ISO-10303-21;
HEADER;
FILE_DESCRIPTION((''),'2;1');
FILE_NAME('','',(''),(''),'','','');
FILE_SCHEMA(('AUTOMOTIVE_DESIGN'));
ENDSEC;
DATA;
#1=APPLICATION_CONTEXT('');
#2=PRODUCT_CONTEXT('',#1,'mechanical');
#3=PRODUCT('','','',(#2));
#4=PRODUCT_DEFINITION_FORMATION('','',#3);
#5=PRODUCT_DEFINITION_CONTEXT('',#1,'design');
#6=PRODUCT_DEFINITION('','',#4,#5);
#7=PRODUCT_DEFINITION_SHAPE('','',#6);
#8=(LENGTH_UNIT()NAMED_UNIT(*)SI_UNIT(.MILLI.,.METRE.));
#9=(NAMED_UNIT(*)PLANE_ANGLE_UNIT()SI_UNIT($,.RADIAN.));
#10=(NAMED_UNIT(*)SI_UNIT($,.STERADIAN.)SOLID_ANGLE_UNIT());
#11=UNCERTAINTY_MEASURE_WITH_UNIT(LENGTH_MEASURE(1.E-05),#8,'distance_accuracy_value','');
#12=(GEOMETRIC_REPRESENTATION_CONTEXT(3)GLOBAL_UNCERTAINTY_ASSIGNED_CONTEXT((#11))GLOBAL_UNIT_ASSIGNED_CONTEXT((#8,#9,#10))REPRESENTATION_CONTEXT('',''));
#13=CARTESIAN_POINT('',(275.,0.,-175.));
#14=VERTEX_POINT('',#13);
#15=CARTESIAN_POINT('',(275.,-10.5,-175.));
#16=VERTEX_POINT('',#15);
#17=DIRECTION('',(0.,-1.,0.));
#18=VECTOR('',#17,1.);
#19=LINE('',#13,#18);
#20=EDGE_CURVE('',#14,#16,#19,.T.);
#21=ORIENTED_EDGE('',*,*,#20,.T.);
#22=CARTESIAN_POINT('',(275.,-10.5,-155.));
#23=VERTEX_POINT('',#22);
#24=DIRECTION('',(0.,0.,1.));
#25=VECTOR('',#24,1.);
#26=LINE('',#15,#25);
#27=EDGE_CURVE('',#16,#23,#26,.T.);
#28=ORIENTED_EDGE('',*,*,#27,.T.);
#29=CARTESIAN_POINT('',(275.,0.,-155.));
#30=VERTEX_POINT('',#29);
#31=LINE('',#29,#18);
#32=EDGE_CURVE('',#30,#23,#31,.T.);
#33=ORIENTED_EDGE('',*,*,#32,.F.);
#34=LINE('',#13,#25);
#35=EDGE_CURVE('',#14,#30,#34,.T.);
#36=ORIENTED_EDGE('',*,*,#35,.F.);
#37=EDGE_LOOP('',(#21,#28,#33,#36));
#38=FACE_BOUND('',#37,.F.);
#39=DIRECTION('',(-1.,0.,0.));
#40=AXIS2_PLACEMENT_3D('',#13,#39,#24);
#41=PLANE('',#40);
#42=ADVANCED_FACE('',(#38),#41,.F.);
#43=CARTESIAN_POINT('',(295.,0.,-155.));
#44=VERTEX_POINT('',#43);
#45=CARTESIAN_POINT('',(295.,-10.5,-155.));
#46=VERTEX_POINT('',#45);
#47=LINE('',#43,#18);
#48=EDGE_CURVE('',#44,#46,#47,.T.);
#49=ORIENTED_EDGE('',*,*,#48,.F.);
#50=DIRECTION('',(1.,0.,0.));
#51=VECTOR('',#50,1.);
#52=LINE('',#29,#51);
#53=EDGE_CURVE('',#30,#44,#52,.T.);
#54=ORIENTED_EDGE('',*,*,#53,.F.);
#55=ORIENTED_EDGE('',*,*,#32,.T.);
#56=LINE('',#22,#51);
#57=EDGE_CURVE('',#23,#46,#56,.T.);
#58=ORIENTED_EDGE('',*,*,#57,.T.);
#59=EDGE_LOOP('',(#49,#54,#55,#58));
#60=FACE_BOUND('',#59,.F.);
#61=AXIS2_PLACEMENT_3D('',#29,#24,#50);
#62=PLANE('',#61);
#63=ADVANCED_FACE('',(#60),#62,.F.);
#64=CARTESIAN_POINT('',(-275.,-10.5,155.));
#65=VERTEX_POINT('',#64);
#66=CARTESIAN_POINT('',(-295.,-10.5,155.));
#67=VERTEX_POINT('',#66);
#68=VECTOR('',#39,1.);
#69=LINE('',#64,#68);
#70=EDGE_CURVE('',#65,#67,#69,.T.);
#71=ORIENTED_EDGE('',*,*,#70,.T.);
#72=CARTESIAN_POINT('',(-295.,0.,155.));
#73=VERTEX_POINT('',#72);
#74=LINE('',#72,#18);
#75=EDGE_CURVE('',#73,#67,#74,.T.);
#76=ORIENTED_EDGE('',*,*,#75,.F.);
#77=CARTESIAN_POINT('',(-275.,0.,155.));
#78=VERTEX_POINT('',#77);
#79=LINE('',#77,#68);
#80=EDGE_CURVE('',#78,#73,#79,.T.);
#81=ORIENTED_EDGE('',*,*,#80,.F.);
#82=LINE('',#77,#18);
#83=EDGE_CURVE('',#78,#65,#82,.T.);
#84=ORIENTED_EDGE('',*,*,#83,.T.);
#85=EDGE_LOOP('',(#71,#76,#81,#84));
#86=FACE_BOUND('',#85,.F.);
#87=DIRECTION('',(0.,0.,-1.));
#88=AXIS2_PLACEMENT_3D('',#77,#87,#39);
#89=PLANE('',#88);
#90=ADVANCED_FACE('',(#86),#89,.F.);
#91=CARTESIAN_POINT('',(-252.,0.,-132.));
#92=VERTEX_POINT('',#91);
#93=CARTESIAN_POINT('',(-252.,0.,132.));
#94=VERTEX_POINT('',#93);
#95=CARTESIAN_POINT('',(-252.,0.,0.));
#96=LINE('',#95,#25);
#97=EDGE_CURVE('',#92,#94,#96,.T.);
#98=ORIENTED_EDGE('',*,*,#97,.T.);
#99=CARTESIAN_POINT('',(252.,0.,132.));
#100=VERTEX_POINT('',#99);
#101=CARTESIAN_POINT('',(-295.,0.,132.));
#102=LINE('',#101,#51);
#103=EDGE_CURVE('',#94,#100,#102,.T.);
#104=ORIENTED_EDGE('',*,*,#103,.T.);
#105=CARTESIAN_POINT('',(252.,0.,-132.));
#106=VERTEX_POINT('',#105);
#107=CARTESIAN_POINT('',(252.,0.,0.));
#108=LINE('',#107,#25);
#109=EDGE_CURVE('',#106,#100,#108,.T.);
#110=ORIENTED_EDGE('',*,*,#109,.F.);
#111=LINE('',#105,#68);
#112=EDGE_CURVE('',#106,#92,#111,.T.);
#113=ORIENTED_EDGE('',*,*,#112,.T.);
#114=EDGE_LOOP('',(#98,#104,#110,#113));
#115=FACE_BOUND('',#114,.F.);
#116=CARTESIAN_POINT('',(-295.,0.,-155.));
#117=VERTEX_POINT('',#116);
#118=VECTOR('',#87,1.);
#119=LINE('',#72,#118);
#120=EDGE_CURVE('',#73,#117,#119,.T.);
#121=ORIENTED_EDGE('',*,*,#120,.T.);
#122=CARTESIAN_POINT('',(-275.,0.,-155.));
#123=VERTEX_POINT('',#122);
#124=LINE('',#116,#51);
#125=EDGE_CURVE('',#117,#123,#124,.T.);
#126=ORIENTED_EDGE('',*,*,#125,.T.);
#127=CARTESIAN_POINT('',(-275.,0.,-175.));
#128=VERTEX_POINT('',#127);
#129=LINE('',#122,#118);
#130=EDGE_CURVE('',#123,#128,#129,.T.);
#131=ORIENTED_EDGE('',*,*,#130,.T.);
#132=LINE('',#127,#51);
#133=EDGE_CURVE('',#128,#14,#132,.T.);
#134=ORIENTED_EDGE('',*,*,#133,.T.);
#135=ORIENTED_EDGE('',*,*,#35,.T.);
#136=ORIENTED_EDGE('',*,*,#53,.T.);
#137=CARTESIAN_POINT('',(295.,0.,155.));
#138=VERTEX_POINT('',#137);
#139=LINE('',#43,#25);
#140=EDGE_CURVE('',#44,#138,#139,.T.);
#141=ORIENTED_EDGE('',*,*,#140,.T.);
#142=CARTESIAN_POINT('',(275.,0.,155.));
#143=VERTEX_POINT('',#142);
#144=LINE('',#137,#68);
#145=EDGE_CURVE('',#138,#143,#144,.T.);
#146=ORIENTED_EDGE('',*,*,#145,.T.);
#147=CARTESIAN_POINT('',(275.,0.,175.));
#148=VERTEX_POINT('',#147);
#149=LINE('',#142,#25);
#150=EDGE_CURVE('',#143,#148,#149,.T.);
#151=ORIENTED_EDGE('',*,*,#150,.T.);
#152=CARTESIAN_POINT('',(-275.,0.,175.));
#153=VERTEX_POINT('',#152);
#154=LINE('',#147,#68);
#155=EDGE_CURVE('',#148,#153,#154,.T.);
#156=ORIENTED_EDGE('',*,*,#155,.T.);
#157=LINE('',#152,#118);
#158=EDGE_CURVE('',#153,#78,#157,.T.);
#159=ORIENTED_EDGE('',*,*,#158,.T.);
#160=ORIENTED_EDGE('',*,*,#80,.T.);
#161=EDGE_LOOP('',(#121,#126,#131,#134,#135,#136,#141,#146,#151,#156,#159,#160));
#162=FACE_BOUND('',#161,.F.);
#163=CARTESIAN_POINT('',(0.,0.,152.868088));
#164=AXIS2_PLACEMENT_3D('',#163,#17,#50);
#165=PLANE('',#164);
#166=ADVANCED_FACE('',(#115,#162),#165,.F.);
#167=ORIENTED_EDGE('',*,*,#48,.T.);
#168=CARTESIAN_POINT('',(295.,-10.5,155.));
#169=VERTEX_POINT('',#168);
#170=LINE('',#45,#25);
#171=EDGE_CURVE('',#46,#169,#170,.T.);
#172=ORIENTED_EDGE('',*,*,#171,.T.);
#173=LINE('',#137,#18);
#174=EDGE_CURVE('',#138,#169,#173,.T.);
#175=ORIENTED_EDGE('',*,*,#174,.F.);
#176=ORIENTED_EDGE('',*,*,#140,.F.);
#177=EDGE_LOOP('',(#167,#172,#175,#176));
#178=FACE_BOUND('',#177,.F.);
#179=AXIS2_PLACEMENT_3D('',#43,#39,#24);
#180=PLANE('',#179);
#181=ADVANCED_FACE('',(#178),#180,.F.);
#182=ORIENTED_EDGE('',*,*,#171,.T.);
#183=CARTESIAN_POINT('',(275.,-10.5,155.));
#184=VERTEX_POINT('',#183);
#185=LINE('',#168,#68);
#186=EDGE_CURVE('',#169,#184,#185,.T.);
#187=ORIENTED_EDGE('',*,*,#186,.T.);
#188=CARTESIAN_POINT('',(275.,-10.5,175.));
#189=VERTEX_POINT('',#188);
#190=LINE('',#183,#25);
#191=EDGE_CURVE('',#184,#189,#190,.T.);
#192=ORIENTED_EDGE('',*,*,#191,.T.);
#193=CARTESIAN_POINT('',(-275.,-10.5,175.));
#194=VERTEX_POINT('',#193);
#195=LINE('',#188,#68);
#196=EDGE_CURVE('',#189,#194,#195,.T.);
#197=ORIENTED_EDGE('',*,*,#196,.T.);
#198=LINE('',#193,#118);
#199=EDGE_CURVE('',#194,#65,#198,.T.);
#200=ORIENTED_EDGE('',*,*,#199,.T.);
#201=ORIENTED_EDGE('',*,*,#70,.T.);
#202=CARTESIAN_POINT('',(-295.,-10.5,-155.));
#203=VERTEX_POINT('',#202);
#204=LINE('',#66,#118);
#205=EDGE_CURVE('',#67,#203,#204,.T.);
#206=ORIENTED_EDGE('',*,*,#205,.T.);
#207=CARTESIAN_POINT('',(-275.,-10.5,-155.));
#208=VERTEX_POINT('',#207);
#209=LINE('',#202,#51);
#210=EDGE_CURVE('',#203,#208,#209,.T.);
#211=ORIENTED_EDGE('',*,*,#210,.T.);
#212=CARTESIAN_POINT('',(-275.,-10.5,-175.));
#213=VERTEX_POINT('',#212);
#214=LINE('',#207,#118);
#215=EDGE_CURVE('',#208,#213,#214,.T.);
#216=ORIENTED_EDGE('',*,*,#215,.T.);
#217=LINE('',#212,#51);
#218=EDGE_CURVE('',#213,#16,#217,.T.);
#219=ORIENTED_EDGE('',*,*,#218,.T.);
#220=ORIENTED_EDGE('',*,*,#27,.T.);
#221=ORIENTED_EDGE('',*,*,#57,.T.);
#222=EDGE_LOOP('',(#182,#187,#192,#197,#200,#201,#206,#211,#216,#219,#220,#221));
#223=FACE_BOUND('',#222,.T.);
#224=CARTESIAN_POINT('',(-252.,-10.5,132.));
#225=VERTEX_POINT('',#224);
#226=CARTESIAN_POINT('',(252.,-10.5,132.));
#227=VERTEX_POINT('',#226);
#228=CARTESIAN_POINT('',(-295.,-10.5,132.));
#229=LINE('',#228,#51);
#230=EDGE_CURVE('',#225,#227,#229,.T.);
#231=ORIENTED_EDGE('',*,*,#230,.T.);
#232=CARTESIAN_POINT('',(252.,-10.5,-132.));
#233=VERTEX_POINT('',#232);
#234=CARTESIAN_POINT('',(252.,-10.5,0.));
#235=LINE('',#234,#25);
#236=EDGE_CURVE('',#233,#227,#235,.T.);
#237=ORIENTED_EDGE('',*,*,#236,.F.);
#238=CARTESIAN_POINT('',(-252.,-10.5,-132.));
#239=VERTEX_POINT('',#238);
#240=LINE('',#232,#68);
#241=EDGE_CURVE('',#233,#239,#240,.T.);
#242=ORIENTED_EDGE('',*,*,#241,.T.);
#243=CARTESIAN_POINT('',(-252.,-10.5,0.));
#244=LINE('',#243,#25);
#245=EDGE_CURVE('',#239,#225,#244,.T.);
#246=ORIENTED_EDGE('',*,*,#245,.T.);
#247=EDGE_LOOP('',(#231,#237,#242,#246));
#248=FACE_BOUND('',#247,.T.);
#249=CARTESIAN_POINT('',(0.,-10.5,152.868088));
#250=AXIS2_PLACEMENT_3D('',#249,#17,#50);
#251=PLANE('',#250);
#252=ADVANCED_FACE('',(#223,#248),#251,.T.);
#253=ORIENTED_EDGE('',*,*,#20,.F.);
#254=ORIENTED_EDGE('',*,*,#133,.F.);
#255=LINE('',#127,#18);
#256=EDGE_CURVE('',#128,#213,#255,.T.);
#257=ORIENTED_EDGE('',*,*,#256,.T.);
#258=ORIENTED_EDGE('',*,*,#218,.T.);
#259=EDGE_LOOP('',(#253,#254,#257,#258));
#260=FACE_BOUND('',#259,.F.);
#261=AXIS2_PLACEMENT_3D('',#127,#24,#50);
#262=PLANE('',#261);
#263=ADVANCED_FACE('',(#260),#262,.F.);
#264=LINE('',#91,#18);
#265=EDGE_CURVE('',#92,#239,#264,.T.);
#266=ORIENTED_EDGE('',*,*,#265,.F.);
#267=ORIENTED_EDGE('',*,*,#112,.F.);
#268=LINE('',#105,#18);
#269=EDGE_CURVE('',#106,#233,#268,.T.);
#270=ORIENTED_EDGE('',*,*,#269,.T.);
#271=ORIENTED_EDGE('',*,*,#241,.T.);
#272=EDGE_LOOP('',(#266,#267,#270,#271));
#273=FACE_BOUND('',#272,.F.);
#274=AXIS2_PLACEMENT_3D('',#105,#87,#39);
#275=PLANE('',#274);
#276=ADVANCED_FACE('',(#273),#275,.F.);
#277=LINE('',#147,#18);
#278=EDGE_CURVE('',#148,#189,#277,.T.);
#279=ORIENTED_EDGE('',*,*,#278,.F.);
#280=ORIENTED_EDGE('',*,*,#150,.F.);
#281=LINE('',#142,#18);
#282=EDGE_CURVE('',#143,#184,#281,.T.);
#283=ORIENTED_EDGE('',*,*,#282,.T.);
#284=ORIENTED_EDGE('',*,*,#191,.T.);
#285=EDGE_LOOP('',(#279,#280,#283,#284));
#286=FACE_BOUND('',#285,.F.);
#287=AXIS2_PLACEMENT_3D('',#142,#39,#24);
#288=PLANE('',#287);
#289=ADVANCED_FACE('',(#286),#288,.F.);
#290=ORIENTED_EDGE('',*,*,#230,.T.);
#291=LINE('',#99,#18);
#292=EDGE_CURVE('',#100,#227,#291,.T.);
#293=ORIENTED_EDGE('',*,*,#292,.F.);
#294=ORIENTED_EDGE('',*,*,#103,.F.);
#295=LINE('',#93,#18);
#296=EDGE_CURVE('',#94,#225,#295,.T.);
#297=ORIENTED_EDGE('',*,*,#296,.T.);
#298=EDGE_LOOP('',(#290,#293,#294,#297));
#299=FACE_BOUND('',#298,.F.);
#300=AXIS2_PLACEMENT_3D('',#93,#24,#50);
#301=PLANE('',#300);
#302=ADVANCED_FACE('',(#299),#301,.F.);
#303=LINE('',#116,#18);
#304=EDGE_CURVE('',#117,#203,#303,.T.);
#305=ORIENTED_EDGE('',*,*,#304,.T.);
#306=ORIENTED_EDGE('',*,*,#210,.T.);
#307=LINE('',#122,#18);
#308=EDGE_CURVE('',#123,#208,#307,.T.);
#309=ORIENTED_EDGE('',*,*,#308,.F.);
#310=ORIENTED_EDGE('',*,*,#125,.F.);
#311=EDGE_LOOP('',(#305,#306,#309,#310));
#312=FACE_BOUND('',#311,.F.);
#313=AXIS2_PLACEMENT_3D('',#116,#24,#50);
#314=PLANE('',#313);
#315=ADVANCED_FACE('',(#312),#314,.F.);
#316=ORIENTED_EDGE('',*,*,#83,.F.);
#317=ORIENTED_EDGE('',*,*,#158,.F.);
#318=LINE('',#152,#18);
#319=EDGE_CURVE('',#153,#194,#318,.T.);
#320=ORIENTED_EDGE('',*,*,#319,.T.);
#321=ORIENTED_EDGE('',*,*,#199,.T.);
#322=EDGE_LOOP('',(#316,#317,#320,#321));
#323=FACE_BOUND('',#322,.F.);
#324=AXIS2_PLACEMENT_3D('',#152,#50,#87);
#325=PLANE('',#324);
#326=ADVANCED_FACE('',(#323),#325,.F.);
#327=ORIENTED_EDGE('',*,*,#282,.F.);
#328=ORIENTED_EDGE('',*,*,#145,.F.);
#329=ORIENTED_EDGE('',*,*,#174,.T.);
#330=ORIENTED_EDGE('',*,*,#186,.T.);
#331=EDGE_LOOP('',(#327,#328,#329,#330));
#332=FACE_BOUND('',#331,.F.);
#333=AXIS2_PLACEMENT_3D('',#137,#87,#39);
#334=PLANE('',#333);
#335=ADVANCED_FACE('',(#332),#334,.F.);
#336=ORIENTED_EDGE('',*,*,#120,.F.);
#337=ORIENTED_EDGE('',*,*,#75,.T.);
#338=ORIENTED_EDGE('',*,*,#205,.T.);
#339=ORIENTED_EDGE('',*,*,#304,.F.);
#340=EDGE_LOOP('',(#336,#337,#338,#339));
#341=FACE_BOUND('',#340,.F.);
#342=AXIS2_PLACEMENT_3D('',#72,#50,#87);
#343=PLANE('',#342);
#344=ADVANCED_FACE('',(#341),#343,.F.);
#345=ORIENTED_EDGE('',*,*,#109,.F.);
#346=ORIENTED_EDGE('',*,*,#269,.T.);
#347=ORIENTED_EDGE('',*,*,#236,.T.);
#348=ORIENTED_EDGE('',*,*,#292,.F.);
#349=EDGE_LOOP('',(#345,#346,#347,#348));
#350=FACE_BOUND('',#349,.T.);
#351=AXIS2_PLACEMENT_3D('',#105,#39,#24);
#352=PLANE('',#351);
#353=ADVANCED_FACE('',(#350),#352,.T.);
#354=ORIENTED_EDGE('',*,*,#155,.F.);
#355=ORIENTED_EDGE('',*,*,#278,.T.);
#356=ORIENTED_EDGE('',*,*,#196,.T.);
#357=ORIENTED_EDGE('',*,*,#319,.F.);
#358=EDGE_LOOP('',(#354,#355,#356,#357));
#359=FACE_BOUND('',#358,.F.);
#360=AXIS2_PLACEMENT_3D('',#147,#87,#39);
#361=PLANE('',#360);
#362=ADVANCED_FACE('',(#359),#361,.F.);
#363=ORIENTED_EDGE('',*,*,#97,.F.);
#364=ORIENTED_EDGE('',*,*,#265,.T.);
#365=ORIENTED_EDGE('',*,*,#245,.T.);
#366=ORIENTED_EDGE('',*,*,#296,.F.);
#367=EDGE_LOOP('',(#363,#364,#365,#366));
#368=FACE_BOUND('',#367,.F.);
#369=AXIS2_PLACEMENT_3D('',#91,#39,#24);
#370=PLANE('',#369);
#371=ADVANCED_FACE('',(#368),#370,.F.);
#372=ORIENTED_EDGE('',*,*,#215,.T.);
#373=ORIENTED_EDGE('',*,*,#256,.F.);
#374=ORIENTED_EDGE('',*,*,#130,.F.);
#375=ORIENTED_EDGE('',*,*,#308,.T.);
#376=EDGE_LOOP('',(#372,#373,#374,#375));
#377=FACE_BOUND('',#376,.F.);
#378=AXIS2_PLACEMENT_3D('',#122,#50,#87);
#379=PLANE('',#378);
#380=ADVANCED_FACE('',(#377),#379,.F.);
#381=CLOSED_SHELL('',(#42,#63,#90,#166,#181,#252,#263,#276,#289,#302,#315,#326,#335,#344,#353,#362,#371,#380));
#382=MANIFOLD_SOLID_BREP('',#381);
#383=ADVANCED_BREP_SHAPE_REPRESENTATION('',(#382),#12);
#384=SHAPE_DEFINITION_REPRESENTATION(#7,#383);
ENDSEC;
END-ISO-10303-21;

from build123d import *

# Parameters (mm, degrees)
F0_W     = 43
F0_H     = 264
F1_DEPTH = 10.5


with BuildPart() as f1:
    # F0 (on Front) → F1 (new body)
    with BuildSketch(Plane.XZ):
        Polygon((275, 155), (275, 175), (-275, 175), (-275, 155), (-295, 155), (-295, 132), (-252, 132), (252, 132), (295, 132), (295, 155), align=None)
        with Locations((273.5, 0)):
            Rectangle(F0_W, F0_H)
        with Locations((-273.5, 0)):
            Rectangle(F0_W, F0_H)
        Polygon((295, -155), (295, -132), (252, -132), (-252, -132), (-295, -132), (-295, -155), (-275, -155), (-275, -175), (275, -175), (275, -155), align=None)
    extrude(amount=F1_DEPTH)


solid = f1.part
